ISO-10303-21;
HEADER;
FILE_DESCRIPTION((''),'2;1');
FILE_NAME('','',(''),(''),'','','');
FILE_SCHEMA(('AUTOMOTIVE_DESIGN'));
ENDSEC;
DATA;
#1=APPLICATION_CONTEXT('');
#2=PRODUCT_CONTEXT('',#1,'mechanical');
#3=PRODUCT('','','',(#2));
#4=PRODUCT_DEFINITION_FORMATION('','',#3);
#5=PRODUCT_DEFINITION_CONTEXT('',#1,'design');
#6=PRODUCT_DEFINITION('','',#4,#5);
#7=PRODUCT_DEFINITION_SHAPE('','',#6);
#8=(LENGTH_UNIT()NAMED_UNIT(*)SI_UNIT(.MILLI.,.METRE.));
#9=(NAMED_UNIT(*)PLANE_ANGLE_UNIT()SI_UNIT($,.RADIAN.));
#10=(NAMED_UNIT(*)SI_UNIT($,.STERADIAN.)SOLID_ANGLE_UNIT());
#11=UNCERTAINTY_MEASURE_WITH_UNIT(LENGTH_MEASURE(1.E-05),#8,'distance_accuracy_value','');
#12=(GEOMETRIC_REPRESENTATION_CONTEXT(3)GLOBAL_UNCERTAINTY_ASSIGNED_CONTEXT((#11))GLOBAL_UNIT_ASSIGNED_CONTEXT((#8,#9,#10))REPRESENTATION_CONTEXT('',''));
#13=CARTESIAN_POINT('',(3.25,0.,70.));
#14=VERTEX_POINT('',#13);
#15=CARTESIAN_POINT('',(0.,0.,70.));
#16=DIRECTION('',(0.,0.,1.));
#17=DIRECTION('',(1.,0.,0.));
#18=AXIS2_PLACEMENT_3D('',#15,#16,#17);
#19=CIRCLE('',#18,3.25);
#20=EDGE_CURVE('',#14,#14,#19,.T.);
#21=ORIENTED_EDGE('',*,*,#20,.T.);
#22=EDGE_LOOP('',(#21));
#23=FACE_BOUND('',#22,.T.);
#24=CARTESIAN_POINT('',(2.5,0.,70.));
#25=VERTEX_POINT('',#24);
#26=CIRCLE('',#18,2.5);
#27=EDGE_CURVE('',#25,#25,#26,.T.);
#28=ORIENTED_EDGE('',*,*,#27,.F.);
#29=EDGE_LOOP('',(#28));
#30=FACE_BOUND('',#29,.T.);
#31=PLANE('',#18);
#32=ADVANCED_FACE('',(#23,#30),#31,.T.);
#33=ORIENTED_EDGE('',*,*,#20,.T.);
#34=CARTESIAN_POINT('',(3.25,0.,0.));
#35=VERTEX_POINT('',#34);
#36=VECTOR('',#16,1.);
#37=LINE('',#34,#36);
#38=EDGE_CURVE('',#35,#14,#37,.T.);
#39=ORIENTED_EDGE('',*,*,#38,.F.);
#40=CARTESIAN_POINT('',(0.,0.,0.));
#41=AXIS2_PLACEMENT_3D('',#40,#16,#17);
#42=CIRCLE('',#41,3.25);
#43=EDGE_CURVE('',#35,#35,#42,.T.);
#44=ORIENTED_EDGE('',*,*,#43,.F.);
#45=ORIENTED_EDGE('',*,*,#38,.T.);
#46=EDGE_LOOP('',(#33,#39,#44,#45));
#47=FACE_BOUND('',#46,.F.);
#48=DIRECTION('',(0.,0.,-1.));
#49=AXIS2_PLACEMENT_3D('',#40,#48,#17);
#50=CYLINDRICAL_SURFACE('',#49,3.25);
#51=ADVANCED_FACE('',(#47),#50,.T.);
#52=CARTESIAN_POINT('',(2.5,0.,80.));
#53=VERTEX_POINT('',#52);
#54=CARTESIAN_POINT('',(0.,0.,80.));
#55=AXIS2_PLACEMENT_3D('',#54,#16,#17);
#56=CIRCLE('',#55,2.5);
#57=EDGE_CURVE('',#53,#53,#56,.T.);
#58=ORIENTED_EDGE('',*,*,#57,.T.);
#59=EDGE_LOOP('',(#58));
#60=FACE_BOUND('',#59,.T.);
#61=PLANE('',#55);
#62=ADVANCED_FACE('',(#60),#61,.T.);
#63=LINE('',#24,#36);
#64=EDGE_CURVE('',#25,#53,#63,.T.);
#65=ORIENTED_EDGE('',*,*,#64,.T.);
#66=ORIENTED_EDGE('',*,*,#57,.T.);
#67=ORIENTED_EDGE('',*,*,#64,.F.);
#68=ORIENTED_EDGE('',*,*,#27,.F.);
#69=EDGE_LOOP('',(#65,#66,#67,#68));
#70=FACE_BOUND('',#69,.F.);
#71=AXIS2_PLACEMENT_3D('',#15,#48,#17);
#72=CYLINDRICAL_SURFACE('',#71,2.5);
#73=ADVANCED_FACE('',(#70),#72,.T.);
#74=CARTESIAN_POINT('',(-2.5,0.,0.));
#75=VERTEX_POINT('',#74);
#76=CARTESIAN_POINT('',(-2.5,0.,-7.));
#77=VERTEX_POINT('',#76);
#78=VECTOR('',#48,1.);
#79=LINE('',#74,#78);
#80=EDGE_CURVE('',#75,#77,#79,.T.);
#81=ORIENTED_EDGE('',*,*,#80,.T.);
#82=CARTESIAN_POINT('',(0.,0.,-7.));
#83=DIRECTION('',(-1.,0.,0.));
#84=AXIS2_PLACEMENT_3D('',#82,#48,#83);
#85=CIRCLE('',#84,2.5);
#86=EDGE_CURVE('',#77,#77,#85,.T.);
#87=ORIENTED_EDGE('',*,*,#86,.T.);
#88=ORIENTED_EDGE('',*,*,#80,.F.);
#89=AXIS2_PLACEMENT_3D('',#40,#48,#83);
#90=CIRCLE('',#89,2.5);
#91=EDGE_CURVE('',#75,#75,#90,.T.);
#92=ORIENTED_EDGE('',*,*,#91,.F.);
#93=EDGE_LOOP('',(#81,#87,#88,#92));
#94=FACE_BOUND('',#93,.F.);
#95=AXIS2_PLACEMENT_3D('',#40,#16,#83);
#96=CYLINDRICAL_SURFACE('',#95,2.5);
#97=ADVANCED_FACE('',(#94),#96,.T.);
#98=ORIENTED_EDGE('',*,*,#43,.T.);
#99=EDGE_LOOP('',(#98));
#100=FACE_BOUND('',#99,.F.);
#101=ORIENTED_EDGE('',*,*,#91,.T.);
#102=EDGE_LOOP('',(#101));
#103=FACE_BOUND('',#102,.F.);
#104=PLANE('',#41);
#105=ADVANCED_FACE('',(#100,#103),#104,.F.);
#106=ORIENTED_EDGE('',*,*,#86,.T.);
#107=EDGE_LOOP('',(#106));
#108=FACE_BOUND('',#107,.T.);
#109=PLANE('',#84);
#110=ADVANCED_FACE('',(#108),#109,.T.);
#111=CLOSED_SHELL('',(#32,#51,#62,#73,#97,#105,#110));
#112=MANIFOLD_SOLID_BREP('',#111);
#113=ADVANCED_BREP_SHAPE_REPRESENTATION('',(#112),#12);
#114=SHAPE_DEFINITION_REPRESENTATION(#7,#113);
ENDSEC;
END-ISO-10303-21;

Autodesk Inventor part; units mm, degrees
ref_plane "YZ Plane" through (0, 0, 0) normal (1, 0, 0) x (0, 1, 0)
ref_plane "XZ Plane" through (0, 0, 0) normal (0, 1, 0) x (-1, 0, 0)
ref_plane "XY Plane" through (0, 0, 0) normal (0, 0, 1) x (1, 0, 0)
sketch "Sketch1" plane through (0, 0, 0) normal (0, 0, 1) x (1, 0, 0)
  circle A0 centre (0, 0) radius 3.25
  dimension "d0" = 6.5
extrude "Extrusion1" add sketch "Sketch1" along normal blind 70
sketch "Sketch2" plane through (0, 0, 70) normal (0, 0, 1) x (1, 0, 0)
  circle A0 centre (0, 0) radius 3.25 projected
  circle A1 centre (0, 0) radius 2.5
  dimension "d3" = 5
extrude "Extrusion2" add sketch "Sketch2" along normal blind 10 contours A1
sketch "Sketch3" plane through (0, 0, 0) normal (0, 0, -1) x (-1, 0, 0)
  circle A0 centre (0, 0) radius 3.25 projected
  circle A1 centre (0, 0) radius 2.5
  dimension "d6" = 5
extrude "Extrusion3" add sketch "Sketch3" along normal blind 7 contours A1
thread "Thread1" size "M5x0.8" class "6g" standard "ANSI Metric M Profile" length 10
thread "Thread2" size "M5x0.8" class "6g" standard "ANSI Metric M Profile" length 7
properties part number "18 - Piston Rod" material "Steel AISI 1020 107 HR"
